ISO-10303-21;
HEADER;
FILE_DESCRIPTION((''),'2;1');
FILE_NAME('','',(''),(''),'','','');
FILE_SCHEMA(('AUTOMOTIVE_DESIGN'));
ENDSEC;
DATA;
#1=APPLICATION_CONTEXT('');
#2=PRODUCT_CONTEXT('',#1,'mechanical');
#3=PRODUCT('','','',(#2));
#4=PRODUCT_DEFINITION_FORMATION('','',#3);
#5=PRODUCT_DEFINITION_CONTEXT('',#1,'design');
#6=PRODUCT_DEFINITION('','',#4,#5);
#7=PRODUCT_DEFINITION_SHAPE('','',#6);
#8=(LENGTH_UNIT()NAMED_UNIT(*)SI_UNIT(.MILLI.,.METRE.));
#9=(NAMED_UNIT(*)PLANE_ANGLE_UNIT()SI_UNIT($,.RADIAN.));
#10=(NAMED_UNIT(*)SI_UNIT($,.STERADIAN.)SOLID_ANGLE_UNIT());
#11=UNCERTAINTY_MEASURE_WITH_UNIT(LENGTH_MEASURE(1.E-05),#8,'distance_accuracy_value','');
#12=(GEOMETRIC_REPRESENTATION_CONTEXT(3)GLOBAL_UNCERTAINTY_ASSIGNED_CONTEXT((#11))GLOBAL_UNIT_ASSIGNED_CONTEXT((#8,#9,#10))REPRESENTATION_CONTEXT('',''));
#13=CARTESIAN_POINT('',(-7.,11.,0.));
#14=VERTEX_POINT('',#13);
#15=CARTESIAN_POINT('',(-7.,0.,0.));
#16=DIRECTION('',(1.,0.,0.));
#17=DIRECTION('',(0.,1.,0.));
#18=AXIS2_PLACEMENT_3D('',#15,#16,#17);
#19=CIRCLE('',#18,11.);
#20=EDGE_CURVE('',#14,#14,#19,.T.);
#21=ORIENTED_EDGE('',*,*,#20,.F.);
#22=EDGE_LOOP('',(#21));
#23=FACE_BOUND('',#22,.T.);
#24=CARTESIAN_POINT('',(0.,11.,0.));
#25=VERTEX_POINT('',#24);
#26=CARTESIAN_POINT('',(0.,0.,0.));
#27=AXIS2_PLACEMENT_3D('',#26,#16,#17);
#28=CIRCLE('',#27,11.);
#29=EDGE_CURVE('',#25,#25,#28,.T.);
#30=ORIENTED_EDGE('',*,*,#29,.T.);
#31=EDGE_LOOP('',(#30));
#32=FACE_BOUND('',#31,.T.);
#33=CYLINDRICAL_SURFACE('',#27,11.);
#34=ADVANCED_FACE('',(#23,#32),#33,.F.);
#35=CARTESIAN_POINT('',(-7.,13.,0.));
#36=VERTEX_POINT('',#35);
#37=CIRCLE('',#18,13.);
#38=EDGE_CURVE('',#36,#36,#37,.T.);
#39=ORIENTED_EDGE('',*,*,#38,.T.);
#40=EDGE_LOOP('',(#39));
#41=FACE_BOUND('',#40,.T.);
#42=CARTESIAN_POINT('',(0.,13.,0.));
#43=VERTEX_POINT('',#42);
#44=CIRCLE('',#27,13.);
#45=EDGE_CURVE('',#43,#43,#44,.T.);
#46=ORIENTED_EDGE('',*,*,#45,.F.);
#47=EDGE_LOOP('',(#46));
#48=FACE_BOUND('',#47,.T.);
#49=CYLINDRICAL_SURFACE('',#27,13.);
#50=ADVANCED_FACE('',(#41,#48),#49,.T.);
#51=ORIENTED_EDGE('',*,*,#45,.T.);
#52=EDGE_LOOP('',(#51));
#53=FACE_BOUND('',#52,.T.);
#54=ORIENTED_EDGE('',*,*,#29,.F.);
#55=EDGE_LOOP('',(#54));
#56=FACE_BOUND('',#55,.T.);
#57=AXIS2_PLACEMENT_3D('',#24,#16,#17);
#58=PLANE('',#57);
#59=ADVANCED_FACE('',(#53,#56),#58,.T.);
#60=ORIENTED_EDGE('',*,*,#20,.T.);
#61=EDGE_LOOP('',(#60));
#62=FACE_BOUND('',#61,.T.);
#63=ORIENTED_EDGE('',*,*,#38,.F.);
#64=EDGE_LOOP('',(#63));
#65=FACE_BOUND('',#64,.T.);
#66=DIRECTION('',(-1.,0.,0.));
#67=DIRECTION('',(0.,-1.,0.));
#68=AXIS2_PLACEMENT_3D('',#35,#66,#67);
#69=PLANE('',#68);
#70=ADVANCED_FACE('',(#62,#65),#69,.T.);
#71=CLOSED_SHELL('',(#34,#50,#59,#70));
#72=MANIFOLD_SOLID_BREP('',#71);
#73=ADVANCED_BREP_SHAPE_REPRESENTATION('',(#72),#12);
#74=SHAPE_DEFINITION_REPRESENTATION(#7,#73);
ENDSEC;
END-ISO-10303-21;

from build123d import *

# Parameters (mm, degrees)
SKETCH2_W = 7
SKETCH2_H = 2


with BuildPart() as part:
    # Sketch2 → Revolve1 (revolve)
    with BuildSketch(Plane.XY):
        with Locations((-3.5, 12)):
            Rectangle(SKETCH2_W, SKETCH2_H)
    revolve(axis=Axis((0, 0, 0), (-1, 0, 0)))


solid = part.part
